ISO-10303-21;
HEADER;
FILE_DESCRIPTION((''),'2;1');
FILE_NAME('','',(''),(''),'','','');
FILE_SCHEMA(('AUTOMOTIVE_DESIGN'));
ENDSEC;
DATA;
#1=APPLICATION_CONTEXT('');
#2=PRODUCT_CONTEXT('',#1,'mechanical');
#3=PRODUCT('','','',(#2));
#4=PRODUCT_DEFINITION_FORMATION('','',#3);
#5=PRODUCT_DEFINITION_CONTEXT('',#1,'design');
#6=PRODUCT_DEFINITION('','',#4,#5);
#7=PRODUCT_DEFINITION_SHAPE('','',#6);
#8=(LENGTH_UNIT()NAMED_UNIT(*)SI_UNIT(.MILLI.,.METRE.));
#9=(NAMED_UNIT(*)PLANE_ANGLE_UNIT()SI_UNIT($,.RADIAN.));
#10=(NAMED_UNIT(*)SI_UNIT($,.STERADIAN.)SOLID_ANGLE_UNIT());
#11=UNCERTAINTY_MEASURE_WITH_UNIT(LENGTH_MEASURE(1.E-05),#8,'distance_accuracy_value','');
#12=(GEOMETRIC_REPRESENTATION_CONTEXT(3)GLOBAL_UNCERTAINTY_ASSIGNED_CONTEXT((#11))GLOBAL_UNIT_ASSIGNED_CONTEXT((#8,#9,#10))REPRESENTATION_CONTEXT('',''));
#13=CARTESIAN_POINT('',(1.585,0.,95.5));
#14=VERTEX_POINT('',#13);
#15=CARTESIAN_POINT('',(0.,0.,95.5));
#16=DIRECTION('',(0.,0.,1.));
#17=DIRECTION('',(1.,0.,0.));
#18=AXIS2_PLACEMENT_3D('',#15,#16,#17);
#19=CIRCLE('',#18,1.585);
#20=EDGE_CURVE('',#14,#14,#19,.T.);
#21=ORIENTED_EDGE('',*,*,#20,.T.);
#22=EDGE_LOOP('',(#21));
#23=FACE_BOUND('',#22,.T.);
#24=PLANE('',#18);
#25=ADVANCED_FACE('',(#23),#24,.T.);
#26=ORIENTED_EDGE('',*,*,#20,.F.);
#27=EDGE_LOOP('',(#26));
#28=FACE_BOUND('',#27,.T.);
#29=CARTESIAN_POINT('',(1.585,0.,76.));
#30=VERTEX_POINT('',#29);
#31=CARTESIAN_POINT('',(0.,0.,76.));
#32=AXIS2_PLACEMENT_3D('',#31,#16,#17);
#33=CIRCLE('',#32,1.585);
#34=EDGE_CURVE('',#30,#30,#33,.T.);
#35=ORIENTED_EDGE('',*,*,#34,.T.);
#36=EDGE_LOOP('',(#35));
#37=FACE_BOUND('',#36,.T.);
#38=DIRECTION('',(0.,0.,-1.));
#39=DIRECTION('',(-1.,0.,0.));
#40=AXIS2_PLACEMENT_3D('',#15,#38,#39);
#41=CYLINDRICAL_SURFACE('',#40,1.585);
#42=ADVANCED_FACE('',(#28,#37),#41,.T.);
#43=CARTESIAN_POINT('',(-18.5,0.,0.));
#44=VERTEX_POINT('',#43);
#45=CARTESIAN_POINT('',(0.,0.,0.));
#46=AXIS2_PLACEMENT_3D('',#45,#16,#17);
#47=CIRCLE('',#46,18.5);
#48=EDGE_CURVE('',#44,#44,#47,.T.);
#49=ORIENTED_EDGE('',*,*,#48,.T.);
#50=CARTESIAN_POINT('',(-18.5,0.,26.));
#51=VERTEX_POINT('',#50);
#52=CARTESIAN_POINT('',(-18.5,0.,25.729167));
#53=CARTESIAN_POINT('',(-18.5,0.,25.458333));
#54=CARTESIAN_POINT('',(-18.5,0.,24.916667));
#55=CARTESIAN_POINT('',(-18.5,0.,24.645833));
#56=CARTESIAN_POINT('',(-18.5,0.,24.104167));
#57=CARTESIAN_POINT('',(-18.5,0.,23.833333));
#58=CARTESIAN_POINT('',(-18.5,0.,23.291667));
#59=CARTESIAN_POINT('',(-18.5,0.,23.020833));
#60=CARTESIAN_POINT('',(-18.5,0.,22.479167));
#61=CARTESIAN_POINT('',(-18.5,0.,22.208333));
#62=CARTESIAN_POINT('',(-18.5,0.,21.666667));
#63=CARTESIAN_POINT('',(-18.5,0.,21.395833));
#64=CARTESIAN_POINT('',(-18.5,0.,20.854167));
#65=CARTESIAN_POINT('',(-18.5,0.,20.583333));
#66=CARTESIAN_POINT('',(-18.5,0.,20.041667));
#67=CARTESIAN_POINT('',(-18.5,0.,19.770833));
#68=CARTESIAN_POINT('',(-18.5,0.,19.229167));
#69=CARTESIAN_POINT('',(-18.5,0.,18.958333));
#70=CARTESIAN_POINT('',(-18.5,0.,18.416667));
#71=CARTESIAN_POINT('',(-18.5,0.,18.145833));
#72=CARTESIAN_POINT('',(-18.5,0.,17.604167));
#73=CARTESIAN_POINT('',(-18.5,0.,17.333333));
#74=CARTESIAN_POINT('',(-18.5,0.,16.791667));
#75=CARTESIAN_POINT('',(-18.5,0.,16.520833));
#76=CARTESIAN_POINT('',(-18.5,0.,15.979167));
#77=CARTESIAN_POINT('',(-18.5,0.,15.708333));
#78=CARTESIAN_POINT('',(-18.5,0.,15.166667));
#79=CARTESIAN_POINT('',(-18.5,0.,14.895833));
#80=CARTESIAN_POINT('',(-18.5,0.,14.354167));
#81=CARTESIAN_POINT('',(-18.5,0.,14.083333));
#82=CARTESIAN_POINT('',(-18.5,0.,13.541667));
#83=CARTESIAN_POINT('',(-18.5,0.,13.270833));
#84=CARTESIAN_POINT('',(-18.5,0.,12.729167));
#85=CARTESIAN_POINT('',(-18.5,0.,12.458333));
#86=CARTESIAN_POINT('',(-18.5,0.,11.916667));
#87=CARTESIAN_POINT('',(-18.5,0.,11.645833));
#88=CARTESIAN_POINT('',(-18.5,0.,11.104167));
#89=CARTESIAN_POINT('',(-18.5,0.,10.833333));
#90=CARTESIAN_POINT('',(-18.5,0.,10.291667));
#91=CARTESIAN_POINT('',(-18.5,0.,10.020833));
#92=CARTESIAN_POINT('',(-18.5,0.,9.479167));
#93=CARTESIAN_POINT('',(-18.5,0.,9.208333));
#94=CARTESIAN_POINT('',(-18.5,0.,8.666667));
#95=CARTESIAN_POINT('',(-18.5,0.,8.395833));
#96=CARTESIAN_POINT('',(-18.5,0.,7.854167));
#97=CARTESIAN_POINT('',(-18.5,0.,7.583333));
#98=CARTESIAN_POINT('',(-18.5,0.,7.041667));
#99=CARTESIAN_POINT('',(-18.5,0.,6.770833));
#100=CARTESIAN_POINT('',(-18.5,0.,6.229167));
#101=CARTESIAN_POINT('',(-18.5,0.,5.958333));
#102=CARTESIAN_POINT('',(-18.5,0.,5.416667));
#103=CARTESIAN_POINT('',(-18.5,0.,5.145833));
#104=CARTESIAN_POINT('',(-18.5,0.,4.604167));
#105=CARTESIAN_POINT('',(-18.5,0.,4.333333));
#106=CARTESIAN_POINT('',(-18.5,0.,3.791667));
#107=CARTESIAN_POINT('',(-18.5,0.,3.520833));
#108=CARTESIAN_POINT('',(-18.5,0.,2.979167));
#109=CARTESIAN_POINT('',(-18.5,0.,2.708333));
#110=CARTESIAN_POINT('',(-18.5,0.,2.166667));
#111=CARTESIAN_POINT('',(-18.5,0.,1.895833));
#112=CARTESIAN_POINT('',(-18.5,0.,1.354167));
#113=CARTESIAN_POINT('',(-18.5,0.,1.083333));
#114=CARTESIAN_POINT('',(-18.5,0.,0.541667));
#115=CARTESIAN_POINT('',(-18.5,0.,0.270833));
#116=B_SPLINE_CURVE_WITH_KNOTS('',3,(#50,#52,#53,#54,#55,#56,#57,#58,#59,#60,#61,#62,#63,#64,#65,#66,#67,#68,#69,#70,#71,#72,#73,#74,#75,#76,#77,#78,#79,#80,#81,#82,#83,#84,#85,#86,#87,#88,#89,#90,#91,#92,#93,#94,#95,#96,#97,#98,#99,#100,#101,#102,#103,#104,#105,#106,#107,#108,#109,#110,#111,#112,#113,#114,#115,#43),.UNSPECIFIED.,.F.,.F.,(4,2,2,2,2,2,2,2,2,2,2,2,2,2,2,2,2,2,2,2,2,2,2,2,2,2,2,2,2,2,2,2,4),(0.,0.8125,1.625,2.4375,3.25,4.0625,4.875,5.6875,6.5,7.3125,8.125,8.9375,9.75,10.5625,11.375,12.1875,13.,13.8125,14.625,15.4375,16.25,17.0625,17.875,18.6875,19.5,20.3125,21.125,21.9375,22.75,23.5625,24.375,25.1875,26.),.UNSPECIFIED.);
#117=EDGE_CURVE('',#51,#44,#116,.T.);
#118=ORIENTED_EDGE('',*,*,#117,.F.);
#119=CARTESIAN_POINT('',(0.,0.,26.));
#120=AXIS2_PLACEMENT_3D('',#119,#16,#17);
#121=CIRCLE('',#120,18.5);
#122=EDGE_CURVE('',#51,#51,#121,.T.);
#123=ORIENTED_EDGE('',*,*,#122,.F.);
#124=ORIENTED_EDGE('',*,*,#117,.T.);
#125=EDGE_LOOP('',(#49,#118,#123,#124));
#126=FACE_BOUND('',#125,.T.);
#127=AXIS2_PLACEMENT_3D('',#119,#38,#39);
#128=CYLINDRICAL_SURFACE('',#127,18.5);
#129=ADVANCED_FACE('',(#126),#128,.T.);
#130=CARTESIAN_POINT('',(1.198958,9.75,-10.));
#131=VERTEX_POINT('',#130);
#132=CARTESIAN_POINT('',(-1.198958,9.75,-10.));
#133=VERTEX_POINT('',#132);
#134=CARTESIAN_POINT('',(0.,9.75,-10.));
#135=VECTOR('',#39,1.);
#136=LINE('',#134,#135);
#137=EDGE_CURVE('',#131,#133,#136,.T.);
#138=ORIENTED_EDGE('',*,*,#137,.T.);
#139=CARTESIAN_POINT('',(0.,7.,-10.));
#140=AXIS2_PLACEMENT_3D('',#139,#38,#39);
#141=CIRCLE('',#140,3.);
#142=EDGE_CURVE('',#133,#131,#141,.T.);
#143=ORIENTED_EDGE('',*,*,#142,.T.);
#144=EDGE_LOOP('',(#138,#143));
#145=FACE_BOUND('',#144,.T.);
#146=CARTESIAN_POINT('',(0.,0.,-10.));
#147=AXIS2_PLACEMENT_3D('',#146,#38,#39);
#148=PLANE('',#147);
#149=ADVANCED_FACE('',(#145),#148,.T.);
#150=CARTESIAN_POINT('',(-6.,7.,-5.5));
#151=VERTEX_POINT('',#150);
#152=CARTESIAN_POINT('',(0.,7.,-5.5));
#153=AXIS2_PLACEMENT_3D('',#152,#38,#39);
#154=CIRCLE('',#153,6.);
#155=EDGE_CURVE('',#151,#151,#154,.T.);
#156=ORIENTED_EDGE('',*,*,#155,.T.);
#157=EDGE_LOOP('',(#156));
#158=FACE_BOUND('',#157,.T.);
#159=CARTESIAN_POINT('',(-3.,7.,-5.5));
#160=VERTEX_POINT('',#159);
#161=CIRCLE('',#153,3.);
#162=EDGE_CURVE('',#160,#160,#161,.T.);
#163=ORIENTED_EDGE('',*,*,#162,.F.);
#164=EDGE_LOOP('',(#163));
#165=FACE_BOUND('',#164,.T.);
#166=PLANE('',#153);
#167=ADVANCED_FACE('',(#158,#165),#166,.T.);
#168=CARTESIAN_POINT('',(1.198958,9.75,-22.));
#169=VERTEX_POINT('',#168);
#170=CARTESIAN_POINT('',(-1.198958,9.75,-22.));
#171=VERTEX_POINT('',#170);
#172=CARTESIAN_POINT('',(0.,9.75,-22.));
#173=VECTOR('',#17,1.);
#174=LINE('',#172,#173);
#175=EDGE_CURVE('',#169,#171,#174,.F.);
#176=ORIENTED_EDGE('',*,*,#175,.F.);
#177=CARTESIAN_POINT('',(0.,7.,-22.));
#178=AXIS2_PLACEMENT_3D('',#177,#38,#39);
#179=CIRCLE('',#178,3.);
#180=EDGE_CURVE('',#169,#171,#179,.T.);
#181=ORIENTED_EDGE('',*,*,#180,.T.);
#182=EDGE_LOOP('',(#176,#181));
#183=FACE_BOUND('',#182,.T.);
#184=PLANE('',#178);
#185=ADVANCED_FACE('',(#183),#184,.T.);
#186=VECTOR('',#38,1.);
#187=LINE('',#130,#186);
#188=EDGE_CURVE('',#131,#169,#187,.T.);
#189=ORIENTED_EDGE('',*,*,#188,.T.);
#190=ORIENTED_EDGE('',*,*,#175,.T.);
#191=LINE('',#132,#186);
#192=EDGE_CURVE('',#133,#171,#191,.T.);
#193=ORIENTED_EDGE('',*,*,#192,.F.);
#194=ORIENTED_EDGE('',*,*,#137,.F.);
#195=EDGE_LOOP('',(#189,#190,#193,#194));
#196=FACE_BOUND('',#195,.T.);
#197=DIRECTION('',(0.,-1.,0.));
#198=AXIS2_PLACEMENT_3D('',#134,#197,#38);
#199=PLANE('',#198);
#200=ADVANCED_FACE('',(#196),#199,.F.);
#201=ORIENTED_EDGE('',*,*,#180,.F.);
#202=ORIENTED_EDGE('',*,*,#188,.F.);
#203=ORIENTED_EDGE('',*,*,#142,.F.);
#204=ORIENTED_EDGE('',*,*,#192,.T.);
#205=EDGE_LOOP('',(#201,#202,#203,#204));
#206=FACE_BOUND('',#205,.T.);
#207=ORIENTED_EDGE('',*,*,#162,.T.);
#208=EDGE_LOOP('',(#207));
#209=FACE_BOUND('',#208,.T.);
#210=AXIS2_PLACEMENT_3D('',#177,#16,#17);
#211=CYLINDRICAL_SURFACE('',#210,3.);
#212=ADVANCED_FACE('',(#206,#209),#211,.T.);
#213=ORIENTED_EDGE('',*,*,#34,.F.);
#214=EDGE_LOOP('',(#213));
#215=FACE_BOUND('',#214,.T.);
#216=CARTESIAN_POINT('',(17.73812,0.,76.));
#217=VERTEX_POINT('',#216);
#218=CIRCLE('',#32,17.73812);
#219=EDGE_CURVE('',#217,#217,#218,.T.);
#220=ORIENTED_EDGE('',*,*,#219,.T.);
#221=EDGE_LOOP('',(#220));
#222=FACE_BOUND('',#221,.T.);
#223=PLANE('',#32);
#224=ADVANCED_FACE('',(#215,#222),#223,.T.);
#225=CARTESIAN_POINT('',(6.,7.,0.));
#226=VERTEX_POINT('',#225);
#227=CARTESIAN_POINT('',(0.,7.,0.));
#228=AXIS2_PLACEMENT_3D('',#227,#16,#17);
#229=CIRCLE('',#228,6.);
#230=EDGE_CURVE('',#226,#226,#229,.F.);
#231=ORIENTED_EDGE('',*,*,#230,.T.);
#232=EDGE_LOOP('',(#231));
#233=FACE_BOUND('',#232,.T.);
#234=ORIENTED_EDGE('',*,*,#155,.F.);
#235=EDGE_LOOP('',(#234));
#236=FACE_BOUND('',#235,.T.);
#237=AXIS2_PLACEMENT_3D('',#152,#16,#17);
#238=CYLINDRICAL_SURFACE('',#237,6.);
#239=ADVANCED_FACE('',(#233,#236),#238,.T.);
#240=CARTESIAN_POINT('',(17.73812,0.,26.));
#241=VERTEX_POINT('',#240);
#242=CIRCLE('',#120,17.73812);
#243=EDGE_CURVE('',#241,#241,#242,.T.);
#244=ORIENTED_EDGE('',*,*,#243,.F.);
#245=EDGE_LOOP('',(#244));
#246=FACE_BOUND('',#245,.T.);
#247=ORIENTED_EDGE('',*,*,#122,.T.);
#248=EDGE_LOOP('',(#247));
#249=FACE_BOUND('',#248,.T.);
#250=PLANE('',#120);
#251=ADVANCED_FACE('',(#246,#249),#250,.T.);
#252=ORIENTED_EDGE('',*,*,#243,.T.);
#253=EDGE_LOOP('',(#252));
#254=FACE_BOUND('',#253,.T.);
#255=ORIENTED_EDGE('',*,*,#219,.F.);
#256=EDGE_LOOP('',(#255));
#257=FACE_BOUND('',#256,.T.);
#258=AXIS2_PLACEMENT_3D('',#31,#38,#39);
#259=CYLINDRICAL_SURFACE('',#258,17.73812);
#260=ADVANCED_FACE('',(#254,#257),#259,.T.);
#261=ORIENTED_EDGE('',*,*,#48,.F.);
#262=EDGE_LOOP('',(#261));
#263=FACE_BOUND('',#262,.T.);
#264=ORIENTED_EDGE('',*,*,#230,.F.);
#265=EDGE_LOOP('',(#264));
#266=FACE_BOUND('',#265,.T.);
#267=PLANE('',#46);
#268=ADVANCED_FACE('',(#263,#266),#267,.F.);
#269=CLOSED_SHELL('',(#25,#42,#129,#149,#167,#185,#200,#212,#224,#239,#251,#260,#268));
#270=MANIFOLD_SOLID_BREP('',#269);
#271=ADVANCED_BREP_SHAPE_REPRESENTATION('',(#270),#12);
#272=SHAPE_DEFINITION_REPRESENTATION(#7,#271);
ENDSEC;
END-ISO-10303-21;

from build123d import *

# Parameters (mm, degrees)
SKETCH2_R               = 18.5
BOSS_EXTRUDE1_DEPTH     = 26
SKETCH3_R               = 17.738120084
BOSS_EXTRUDE2_DEPTH     = 50
SKETCH4_R               = 1.585
BOSS_EXTRUDE3_DEPTH     = 19.5
SKETCH5_R               = 6
BOSS_EXTRUDE4_DEPTH     = 5.5
SKETCH6_R               = 3
BOSS_EXTRUDE5_DEPTH     = 16.5
CUT_EXTRUDE1_DEPTH      = 121.377531126
CUT_EXTRUDE1_DEPTH_BACK = 12


with BuildPart() as part:
    # Sketch2 → Boss-Extrude1 (new body)
    with BuildSketch(Plane.XY):
        with Locations(Location((0, 0, 0), (0, 0, 180))):
            Circle(SKETCH2_R)
    extrude(amount=BOSS_EXTRUDE1_DEPTH)

    # Sketch3 → Boss-Extrude2 (add)
    with BuildSketch(Plane.XY.offset(26)):
        Circle(SKETCH3_R)
    extrude(amount=BOSS_EXTRUDE2_DEPTH)

    # Sketch4 → Boss-Extrude3 (add)
    with BuildSketch(Plane.XY.offset(76)):
        Circle(SKETCH4_R)
    extrude(amount=BOSS_EXTRUDE3_DEPTH)

    # Sketch5 → Boss-Extrude4 (add)
    with BuildSketch(Plane(origin=(0, 0, 0), x_dir=(-1, 0, 0), z_dir=(0, 0, -1))):
        with Locations(Location((0, 7, 0), (0, 0, 180))):
            Circle(SKETCH5_R)
    extrude(amount=BOSS_EXTRUDE4_DEPTH)

    # Sketch6 → Boss-Extrude5 (add)
    with BuildSketch(Plane(origin=(0, 0, -5.5), x_dir=(-1, 0, 0), z_dir=(0, 0, -1))):
        with Locations((0, 7)):
            Circle(SKETCH6_R)
    extrude(amount=BOSS_EXTRUDE5_DEPTH)

    # Sketch7 → Cut-Extrude1 (cut, two sides: drawn at the far end of the back side and taken through both)
    with BuildSketch(Plane(origin=(0, 0, -22), x_dir=(-1, 0, 0), z_dir=(0, 0, -1)).offset(-CUT_EXTRUDE1_DEPTH_BACK)):
        with BuildLine():
            ThreePointArc((1.198957881, 9.75), (0, 10), (-1.198957881, 9.75))
            Line((-1.198957881, 9.75), (1.198957881, 9.75))
        make_face()
    extrude(amount=CUT_EXTRUDE1_DEPTH + CUT_EXTRUDE1_DEPTH_BACK, mode=Mode.SUBTRACT)


solid = part.part
